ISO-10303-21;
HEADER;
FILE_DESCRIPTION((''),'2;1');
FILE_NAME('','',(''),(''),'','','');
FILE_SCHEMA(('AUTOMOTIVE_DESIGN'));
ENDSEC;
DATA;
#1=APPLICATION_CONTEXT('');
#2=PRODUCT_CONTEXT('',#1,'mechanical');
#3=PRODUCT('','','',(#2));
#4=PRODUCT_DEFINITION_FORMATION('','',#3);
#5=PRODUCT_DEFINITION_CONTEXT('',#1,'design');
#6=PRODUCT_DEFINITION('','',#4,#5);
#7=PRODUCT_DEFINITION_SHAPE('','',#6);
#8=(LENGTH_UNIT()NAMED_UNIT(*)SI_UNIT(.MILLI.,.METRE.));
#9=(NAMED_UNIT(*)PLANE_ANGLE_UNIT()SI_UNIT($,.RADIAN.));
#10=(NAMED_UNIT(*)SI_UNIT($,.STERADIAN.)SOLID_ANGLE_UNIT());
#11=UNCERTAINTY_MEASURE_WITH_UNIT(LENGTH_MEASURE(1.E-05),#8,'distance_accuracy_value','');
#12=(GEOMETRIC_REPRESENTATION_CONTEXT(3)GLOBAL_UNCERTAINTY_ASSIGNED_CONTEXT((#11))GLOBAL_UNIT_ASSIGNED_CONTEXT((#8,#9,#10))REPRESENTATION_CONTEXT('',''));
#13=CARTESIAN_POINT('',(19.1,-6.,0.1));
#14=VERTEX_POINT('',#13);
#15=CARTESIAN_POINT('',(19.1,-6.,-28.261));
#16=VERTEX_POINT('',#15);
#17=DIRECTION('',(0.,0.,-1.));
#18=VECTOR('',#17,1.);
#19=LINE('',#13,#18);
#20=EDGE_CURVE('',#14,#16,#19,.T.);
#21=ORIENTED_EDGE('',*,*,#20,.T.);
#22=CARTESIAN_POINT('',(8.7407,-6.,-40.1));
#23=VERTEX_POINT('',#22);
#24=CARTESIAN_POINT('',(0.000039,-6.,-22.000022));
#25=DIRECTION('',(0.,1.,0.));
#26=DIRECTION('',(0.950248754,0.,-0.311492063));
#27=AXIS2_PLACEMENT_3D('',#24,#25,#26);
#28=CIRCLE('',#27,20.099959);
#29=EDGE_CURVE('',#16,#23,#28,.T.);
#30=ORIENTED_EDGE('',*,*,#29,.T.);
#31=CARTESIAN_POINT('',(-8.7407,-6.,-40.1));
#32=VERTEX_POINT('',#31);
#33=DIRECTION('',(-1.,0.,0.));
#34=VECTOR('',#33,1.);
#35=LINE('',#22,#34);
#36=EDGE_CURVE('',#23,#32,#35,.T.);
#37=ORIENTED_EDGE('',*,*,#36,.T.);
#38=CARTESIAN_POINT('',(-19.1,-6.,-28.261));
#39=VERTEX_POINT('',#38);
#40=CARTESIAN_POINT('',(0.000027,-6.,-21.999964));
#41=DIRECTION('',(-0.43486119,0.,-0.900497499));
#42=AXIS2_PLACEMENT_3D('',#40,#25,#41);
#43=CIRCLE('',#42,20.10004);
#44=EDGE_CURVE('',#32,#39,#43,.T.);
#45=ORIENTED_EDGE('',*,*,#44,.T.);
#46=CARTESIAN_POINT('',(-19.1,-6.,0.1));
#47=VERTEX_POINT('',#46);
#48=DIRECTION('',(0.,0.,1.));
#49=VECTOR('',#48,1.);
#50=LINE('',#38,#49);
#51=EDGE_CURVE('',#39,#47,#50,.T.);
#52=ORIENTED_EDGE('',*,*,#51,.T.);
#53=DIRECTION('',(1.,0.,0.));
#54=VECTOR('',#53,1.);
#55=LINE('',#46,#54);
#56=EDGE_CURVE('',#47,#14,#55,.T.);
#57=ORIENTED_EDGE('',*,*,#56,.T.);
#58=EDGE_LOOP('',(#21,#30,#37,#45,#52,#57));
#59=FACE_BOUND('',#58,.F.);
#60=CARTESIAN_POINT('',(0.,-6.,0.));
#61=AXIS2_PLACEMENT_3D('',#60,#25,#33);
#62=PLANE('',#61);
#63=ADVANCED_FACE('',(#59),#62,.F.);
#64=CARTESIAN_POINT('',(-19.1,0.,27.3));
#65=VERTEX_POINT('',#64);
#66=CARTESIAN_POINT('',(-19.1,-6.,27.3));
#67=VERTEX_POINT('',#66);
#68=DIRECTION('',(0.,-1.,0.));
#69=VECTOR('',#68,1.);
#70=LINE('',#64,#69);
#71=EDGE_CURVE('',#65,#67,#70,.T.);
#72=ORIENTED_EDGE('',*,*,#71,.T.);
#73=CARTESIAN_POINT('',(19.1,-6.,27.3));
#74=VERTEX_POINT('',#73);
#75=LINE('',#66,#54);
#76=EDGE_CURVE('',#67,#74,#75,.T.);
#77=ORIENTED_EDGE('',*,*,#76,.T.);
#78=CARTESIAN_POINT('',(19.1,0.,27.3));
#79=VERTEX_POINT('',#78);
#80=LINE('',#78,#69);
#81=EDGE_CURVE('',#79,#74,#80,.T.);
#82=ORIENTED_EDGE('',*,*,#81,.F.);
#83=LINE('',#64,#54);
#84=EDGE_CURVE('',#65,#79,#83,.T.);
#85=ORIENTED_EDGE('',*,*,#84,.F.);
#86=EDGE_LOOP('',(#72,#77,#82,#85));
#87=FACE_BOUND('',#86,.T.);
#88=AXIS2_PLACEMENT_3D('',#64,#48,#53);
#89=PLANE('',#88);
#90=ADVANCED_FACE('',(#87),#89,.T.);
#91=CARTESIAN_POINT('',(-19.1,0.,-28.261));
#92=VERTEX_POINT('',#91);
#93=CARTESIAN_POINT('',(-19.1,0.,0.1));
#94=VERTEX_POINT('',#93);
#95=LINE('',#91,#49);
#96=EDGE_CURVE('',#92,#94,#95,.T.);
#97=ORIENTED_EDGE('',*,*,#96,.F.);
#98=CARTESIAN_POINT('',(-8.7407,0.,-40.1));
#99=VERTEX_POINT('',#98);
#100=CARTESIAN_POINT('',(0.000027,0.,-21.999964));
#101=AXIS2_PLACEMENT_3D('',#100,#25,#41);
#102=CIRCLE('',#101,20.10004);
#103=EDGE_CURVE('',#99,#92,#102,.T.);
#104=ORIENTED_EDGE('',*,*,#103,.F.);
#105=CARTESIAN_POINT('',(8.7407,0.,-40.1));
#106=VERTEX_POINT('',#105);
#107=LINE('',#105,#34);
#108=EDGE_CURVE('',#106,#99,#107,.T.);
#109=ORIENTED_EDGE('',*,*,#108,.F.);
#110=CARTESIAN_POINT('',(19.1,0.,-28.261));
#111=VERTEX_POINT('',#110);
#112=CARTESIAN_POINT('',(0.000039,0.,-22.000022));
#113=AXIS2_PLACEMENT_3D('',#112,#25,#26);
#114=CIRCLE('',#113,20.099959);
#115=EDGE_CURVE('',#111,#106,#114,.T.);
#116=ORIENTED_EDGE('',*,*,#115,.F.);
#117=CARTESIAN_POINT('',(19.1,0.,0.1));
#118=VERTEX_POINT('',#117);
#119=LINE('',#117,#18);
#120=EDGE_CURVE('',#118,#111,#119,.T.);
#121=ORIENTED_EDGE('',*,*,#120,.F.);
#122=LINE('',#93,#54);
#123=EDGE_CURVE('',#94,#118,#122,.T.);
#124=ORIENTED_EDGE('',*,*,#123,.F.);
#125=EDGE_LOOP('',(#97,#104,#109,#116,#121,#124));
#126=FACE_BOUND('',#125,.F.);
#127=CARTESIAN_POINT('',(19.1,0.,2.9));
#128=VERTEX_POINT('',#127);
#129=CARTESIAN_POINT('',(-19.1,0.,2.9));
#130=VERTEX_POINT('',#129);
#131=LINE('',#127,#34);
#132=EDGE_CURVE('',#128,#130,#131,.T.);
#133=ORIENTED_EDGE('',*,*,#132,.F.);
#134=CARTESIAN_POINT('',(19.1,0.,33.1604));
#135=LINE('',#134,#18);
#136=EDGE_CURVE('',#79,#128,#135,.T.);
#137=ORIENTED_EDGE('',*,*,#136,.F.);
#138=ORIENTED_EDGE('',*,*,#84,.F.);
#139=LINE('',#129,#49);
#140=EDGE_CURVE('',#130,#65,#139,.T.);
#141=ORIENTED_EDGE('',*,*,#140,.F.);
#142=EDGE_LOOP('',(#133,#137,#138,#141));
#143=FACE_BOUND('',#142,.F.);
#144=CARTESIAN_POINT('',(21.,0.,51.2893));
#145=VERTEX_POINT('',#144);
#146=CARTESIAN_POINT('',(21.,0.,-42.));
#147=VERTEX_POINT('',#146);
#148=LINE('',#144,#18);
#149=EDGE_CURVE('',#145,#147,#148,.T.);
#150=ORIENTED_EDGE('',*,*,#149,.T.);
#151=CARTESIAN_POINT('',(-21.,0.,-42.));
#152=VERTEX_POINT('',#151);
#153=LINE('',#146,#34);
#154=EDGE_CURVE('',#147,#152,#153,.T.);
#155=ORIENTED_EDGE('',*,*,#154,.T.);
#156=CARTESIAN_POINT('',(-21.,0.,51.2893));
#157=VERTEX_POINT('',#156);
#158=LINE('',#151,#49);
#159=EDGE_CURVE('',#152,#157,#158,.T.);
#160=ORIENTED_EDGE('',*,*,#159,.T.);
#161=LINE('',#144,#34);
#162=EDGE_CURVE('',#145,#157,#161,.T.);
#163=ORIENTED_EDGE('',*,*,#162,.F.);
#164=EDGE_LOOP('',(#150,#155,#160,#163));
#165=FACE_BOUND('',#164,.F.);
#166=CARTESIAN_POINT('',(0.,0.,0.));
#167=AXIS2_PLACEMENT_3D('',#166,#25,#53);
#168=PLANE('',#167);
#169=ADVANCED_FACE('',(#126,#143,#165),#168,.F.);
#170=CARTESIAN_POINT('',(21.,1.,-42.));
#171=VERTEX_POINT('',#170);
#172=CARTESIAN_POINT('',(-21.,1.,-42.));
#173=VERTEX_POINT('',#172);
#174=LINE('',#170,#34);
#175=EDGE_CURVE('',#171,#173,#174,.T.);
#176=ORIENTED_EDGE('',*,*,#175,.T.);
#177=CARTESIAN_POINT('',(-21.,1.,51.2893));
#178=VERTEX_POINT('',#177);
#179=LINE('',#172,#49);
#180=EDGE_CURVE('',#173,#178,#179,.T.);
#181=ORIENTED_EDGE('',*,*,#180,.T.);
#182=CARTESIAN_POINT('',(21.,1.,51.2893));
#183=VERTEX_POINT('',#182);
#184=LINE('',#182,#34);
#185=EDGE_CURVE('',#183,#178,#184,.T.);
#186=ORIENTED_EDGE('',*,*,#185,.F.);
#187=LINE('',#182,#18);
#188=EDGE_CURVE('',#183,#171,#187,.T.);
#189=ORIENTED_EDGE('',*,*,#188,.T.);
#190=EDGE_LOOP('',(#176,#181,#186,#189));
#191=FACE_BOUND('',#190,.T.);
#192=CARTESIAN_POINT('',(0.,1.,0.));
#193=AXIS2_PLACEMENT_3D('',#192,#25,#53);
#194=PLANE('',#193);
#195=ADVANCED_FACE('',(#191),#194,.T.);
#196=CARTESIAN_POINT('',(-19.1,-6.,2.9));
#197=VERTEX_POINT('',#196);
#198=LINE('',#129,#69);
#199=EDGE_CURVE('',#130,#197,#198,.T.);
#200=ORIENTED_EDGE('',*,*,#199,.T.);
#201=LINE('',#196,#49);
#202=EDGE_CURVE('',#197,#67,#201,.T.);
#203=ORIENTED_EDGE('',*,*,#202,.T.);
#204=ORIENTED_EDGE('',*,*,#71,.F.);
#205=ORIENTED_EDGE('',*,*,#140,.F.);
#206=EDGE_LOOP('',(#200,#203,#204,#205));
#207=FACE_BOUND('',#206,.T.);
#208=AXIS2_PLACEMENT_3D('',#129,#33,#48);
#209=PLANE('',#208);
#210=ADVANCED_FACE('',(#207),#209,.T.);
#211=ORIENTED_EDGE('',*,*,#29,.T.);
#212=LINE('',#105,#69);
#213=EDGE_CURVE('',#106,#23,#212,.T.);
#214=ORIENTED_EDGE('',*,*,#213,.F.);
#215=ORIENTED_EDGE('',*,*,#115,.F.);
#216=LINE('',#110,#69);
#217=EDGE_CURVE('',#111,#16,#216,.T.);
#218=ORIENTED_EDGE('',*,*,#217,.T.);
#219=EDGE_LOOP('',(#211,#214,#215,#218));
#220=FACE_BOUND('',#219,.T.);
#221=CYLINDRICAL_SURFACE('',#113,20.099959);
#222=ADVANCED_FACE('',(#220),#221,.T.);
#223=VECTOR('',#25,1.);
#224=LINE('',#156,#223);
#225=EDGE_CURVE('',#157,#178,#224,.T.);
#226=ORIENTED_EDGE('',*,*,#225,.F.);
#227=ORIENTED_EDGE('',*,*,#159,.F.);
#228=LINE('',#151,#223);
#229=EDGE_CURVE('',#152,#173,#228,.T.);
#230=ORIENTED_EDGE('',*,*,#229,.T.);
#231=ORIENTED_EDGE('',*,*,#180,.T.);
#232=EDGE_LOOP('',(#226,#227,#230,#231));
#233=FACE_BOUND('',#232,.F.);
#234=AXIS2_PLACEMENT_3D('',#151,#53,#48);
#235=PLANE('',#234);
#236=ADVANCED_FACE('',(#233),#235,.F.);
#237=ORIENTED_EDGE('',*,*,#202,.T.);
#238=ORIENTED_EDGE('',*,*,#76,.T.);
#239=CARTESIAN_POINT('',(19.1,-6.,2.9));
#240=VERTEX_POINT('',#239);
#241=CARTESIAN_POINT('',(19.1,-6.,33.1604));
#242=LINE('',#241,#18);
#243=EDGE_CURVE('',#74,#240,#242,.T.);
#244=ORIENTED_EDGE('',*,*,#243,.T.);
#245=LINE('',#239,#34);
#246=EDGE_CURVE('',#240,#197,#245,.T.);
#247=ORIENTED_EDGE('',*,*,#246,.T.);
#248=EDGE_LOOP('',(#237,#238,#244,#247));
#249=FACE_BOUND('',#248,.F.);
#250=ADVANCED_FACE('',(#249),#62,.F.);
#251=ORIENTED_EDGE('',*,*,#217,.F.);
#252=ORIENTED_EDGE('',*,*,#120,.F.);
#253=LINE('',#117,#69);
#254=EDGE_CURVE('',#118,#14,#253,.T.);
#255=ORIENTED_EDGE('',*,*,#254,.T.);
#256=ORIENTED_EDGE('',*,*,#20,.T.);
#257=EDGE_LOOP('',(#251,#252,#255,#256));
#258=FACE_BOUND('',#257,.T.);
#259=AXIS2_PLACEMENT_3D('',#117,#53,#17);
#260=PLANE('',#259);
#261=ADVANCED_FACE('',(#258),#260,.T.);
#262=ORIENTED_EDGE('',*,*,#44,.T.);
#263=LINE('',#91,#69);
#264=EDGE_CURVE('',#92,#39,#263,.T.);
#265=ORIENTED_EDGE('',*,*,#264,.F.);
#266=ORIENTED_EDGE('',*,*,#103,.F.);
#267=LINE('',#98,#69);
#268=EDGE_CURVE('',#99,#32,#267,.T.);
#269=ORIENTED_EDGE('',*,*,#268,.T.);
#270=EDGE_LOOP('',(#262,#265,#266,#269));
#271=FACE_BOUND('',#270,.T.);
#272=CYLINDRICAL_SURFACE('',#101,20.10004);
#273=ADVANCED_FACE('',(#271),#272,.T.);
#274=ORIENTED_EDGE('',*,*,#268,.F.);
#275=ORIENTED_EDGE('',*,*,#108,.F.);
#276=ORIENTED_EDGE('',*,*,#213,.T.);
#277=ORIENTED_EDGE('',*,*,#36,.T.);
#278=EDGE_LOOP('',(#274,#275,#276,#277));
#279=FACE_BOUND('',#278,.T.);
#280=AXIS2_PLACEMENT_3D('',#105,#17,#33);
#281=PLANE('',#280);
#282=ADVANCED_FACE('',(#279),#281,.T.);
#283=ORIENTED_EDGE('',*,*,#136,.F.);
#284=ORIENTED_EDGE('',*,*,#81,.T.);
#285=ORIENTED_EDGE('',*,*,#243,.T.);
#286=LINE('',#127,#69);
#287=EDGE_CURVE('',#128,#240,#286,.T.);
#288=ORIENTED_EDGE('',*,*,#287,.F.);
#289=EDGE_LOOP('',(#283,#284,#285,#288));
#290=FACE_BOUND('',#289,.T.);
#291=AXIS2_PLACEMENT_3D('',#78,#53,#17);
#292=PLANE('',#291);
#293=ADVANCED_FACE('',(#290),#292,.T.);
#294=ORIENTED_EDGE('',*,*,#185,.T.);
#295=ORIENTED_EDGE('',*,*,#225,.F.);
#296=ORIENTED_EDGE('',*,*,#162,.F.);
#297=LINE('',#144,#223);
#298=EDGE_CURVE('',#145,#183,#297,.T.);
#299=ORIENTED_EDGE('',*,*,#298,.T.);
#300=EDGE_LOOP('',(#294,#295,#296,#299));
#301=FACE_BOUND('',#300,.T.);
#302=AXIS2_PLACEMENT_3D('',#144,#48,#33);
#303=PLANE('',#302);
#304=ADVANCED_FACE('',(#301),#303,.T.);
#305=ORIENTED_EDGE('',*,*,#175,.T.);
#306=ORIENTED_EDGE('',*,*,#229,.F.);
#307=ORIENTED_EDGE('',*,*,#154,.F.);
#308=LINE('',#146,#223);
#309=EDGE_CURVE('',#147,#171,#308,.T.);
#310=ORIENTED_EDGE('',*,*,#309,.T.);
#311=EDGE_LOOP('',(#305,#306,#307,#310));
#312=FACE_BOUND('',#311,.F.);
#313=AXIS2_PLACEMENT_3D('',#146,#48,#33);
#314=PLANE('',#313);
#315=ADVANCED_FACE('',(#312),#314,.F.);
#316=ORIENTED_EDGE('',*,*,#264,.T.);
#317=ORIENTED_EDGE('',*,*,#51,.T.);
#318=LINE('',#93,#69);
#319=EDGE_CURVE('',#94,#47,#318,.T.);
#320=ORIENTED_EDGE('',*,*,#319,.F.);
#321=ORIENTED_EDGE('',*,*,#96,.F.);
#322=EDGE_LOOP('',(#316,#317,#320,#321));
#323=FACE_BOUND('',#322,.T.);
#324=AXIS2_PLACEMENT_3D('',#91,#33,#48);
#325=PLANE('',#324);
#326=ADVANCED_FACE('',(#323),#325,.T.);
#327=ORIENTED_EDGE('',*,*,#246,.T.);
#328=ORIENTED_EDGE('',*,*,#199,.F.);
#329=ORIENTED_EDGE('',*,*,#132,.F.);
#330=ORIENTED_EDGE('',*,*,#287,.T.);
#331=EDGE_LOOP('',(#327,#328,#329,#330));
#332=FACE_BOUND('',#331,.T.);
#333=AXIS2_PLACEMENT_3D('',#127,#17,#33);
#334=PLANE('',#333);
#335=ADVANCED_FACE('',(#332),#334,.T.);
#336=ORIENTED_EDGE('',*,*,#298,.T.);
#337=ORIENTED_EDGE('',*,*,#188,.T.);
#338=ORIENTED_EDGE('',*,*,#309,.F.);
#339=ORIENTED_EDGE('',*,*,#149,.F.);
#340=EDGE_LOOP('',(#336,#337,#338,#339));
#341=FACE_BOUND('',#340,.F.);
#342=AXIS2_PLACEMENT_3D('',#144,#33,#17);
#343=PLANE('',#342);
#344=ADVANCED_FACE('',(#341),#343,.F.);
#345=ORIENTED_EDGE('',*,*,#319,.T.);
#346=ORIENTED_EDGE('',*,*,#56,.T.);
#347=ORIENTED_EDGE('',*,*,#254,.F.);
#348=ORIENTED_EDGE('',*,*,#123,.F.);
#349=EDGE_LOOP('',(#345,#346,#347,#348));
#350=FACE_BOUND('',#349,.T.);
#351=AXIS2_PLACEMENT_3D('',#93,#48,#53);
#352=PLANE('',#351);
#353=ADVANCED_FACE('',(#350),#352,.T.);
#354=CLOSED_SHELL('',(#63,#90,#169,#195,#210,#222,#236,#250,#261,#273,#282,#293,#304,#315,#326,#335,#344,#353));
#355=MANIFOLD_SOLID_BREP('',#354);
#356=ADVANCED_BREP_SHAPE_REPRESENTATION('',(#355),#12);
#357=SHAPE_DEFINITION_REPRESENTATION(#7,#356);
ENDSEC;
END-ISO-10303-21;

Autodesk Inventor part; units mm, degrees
ref_plane "YZ Plane" through (0, 0, 0) normal (1, 0, 0) x (0, 1, 0)
ref_plane "XZ Plane" through (0, 0, 0) normal (0, 1, 0) x (-1, 0, 0)
ref_plane "XY Plane" through (0, 0, 0) normal (0, 0, 1) x (1, 0, 0)
sketch "スケッチ1" plane through (0, 0, 0) normal (0, 1, 0) x (-1, 0, 0)
  line L0 (-21, 51.2893) -> (-21, -42) projected
  line L1 (-21, -42) -> (21, -42) projected
  line L2 (21, -42) -> (21, 51.2893) projected
  line L3 (-21, 51.2893) -> (21, 51.2893) projected
  line L4 (-19.7, 0.7) -> (19.7, 0.7) projected
  line L5 (19.7, 0.7) -> (19.7, -28.3561) projected
  arc A0 (8.8769, -40.7) -> (19.7, -28.3561) centre (0, -22) ccw projected
  line L6 (8.8769, -40.7) -> (-8.8769, -40.7) projected
  arc A1 (-19.7, -28.3561) -> (-8.8769, -40.7) centre (0, -22) ccw projected
  line L7 (-19.7, -28.3561) -> (-19.7, 0.7) projected
  line L8 (-19.7, 2.3) -> (-19.7, 33.1604) projected
  ellipse E0 centre (-12, 33.1604) end of major axis (-12, 25.3416) minor radius 7.7 (-19.3049, 35.6329) -> (-19.7, 33.1604) ccw projected
  line L9 (-16.2595, 44.9098) -> (-19.3049, 35.6329) projected
  ellipse E1 centre (-8.9547, 42.4373) end of major axis (-8.9547, 34.6185) minor radius 7.7 (-8.9547, 50.2561) -> (-16.2595, 44.9098) ccw projected
  line L10 (8.9547, 50.2561) -> (-8.9547, 50.2561) projected
  ellipse E2 centre (8.9547, 42.4373) end of major axis (8.9547, 34.6185) minor radius 7.7 (16.2595, 44.9098) -> (8.9547, 50.2561) ccw projected
  line L11 (19.3049, 35.6329) -> (16.2595, 44.9098) projected
  ellipse E3 centre (12, 33.1604) end of major axis (12, 25.3416) minor radius 7.7 (19.7, 33.1604) -> (19.3049, 35.6329) ccw projected
  line L12 (19.7, 33.1604) -> (19.7, 2.3) projected
  line L13 (19.7, 2.3) -> (-19.7, 2.3) projected
  line L14 (8.9547, 49.6561) -> (-8.9547, 49.6561)
  line L15 (-15.6895, 44.7227) -> (-18.7348, 35.4458)
  line L16 (-19.1, 33.1604) -> (-19.1, 2.9)
  line L17 (-19.1, 2.9) -> (19.1, 2.9)
  line L18 (19.1, 2.9) -> (19.1, 33.1604)
  line L19 (18.7348, 35.4458) -> (15.6895, 44.7227)
  line L20 (19.1, -28.261) -> (19.1, 0.1)
  line L21 (19.1, 0.1) -> (-19.1, 0.1)
  line L22 (-19.1, 0.1) -> (-19.1, -28.261)
  arc A2 (-19.1, -28.261) -> (-8.7407, -40.1) centre (0, -22) ccw
  line L23 (-8.7407, -40.1) -> (8.7407, -40.1)
  arc A3 (8.7407, -40.1) -> (19.1, -28.261) centre (0, -22) ccw
  line L24 (19.1, 27.3) -> (-19.1, 27.3)
  point P0 (0, 0)
  dimension "d0" = 0.6
  dimension "d1" = 0.6
  dimension "d2" = 25
extrude "押し出し1" add sketch "スケッチ1" against normal blind 6 contours L24 L18 L17 L16 | A3 L23 A2 L22 L21 L20
sketch "スケッチ2" plane through (0, 0, 0) normal (0, 1, 0) x (1, 0, 0)
  line L0 (21, -51.2893) -> (21, 42) projected
  line L1 (21, 42) -> (-21, 42) projected
  line L2 (-21, 42) -> (-21, -51.2893) projected
  line L3 (21, -51.2893) -> (-21, -51.2893) projected
  line L4 (19.7, -0.7) -> (-19.7, -0.7) projected
  line L5 (-19.7, -0.7) -> (-19.7, 28.3561) projected
  arc A0 (-8.8769, 40.7) -> (-19.7, 28.3561) centre (0, 22) ccw projected
  line L6 (-8.8769, 40.7) -> (8.8769, 40.7) projected
  arc A1 (19.7, 28.3561) -> (8.8769, 40.7) centre (0, 22) ccw projected
  line L7 (19.7, 28.3561) -> (19.7, -0.7) projected
  line L8 (19.7, -2.3) -> (19.7, -33.1604) projected
  ellipse E0 centre (12, -33.1604) end of major axis (12, -25.3416) minor radius 7.7 (19.3049, -35.6329) -> (19.7, -33.1604) ccw projected
  line L9 (16.2595, -44.9098) -> (19.3049, -35.6329) projected
  ellipse E1 centre (8.9547, -42.4373) end of major axis (8.9547, -34.6185) minor radius 7.7 (8.9547, -50.2561) -> (16.2595, -44.9098) ccw projected
  line L10 (-8.9547, -50.2561) -> (8.9547, -50.2561) projected
  ellipse E2 centre (-8.9547, -42.4373) end of major axis (-8.9547, -34.6185) minor radius 7.7 (-16.2595, -44.9098) -> (-8.9547, -50.2561) ccw projected
  line L11 (-19.3049, -35.6329) -> (-16.2595, -44.9098) projected
  ellipse E3 centre (-12, -33.1604) end of major axis (-12, -25.3416) minor radius 7.7 (-19.7, -33.1604) -> (-19.3049, -35.6329) ccw projected
  line L12 (-19.7, -33.1604) -> (-19.7, -2.3) projected
  line L13 (-19.7, -2.3) -> (19.7, -2.3) projected
  point P0 (0, 0)
extrude "押し出し2" add sketch "スケッチ2" along normal blind 1 contours L3 L2 L1 L0 | L4 L5 A0 L6 A1 L7 | L8 E0 L9 E1 L10 E2 L11 E3 L12 L13
properties part number "sole_paint_support_base"
